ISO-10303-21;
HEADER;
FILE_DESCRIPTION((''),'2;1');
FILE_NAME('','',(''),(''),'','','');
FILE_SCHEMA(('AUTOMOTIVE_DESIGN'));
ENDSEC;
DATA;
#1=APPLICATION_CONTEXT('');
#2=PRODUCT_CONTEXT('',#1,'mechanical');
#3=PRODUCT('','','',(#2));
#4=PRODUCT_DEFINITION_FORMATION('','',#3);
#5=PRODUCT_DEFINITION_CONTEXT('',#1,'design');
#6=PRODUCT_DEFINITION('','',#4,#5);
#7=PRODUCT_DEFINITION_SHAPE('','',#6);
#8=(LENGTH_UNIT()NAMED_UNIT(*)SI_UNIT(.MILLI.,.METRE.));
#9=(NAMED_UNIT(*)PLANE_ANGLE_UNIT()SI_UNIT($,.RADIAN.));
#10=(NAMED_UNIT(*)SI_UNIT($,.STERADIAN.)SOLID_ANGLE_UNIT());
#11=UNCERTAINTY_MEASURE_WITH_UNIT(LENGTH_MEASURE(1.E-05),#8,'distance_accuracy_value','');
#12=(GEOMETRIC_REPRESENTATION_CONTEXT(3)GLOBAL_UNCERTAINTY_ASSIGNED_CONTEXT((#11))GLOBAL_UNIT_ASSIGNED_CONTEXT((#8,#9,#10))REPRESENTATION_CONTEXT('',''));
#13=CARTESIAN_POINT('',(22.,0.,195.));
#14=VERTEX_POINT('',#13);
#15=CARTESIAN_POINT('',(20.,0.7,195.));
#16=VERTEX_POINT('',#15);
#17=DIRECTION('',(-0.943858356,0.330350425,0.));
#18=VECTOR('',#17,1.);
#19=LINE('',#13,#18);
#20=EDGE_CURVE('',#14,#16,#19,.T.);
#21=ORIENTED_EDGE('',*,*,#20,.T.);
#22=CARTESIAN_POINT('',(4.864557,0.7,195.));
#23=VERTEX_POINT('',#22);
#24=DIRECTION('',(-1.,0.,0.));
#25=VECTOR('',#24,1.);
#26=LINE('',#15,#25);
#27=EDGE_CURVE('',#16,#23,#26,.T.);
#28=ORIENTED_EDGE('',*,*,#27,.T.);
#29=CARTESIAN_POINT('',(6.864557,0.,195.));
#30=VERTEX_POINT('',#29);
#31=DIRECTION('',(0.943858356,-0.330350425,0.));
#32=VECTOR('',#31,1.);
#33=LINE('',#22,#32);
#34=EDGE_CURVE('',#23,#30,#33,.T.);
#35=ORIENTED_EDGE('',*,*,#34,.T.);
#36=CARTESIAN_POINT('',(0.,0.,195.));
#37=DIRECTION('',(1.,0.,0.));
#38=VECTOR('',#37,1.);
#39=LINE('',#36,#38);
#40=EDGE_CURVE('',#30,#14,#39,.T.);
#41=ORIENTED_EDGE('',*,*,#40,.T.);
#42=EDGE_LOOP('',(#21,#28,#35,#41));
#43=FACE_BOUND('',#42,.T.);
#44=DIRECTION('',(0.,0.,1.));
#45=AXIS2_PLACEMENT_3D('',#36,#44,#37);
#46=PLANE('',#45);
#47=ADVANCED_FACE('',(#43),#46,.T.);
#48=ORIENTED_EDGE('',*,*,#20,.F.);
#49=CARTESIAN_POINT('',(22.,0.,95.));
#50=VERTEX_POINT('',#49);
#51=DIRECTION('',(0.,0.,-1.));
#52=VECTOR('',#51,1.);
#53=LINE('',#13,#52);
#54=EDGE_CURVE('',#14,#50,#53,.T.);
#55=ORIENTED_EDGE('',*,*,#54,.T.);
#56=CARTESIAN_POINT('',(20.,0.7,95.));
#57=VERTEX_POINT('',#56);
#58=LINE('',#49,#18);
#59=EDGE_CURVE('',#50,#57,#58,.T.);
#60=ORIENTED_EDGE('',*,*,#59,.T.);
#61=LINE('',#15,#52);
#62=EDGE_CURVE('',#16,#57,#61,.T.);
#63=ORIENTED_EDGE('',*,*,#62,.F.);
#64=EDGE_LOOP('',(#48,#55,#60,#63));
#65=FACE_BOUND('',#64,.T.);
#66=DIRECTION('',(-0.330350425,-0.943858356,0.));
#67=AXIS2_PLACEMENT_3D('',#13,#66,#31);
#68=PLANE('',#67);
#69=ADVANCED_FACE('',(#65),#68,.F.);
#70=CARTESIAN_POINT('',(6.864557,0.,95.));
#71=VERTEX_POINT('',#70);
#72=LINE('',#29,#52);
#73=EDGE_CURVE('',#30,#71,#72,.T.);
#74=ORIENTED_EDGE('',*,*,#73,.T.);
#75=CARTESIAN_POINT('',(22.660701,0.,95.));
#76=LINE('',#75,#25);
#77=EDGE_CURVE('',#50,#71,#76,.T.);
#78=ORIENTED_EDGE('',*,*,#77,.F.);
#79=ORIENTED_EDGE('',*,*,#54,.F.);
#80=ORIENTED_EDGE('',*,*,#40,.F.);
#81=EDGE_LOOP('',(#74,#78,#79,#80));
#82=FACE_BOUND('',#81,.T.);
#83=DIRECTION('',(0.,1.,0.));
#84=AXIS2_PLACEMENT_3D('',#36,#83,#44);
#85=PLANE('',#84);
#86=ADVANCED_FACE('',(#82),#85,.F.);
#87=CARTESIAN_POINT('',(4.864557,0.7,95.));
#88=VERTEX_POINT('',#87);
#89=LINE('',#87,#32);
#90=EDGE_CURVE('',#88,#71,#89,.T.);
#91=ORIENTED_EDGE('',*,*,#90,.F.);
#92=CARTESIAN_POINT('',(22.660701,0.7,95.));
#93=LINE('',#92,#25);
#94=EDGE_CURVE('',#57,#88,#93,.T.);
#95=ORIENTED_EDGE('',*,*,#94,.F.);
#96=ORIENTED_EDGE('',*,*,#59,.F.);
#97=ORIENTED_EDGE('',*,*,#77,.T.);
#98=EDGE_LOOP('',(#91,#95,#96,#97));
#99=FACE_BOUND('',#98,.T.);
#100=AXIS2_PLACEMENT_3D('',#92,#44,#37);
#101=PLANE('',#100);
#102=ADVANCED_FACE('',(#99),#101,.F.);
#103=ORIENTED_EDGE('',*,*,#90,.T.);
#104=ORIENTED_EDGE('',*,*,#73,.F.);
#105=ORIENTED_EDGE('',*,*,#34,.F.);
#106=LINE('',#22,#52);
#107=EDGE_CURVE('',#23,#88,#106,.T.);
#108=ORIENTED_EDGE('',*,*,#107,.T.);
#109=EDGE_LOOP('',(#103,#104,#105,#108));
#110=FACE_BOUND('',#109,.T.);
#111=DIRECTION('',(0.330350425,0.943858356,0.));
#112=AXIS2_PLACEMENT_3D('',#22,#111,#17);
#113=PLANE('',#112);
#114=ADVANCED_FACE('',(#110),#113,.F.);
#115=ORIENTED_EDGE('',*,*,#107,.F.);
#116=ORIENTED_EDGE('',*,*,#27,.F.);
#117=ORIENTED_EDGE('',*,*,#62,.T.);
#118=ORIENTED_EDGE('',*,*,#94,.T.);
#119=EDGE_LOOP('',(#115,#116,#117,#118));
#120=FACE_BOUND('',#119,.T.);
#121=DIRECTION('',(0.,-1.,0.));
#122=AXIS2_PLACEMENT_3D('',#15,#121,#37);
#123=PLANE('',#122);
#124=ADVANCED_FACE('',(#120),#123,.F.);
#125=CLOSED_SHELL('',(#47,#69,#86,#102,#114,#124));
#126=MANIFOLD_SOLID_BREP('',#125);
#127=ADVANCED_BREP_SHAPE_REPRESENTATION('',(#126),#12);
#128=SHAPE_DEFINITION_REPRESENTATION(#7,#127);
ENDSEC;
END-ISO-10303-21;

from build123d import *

# Parameters (mm, degrees)
SALIENTE_EXTRUIR1_DEPTH = 195
CROQUIS2_W              = 22.660700849
CROQUIS2_H              = 95
CORTAR_EXTRUIR1_DEPTH   = 0.7
CORTAR_EXTRUIR3_DEPTH   = 100


with BuildPart() as part:
    # Croquis1 → Saliente-Extruir1 (new body)
    with BuildSketch(Plane.XY):
        Polygon((0, 0), (22, 0), (20, 0.7), (0, 0.7), align=None)
    extrude(amount=SALIENTE_EXTRUIR1_DEPTH)

    # Croquis2 → Cortar-Extruir1 (cut)
    with BuildSketch(Plane.XZ):
        with Locations((11.330350425, 47.5)):
            Rectangle(CROQUIS2_W, CROQUIS2_H)
    extrude(amount=-CORTAR_EXTRUIR1_DEPTH, mode=Mode.SUBTRACT)

    # Croquis3 → Cortar-Extruir3 (cut)
    with BuildSketch(Plane(origin=(0, 0, 95), x_dir=(-1, 0, 0), z_dir=(0, 0, -1))):
        Polygon((0, 0), (0, 0.7), (-4.864557071, 0.7), (-6.864557071, 0), align=None)
    extrude(amount=-CORTAR_EXTRUIR3_DEPTH, mode=Mode.SUBTRACT)


solid = part.part
